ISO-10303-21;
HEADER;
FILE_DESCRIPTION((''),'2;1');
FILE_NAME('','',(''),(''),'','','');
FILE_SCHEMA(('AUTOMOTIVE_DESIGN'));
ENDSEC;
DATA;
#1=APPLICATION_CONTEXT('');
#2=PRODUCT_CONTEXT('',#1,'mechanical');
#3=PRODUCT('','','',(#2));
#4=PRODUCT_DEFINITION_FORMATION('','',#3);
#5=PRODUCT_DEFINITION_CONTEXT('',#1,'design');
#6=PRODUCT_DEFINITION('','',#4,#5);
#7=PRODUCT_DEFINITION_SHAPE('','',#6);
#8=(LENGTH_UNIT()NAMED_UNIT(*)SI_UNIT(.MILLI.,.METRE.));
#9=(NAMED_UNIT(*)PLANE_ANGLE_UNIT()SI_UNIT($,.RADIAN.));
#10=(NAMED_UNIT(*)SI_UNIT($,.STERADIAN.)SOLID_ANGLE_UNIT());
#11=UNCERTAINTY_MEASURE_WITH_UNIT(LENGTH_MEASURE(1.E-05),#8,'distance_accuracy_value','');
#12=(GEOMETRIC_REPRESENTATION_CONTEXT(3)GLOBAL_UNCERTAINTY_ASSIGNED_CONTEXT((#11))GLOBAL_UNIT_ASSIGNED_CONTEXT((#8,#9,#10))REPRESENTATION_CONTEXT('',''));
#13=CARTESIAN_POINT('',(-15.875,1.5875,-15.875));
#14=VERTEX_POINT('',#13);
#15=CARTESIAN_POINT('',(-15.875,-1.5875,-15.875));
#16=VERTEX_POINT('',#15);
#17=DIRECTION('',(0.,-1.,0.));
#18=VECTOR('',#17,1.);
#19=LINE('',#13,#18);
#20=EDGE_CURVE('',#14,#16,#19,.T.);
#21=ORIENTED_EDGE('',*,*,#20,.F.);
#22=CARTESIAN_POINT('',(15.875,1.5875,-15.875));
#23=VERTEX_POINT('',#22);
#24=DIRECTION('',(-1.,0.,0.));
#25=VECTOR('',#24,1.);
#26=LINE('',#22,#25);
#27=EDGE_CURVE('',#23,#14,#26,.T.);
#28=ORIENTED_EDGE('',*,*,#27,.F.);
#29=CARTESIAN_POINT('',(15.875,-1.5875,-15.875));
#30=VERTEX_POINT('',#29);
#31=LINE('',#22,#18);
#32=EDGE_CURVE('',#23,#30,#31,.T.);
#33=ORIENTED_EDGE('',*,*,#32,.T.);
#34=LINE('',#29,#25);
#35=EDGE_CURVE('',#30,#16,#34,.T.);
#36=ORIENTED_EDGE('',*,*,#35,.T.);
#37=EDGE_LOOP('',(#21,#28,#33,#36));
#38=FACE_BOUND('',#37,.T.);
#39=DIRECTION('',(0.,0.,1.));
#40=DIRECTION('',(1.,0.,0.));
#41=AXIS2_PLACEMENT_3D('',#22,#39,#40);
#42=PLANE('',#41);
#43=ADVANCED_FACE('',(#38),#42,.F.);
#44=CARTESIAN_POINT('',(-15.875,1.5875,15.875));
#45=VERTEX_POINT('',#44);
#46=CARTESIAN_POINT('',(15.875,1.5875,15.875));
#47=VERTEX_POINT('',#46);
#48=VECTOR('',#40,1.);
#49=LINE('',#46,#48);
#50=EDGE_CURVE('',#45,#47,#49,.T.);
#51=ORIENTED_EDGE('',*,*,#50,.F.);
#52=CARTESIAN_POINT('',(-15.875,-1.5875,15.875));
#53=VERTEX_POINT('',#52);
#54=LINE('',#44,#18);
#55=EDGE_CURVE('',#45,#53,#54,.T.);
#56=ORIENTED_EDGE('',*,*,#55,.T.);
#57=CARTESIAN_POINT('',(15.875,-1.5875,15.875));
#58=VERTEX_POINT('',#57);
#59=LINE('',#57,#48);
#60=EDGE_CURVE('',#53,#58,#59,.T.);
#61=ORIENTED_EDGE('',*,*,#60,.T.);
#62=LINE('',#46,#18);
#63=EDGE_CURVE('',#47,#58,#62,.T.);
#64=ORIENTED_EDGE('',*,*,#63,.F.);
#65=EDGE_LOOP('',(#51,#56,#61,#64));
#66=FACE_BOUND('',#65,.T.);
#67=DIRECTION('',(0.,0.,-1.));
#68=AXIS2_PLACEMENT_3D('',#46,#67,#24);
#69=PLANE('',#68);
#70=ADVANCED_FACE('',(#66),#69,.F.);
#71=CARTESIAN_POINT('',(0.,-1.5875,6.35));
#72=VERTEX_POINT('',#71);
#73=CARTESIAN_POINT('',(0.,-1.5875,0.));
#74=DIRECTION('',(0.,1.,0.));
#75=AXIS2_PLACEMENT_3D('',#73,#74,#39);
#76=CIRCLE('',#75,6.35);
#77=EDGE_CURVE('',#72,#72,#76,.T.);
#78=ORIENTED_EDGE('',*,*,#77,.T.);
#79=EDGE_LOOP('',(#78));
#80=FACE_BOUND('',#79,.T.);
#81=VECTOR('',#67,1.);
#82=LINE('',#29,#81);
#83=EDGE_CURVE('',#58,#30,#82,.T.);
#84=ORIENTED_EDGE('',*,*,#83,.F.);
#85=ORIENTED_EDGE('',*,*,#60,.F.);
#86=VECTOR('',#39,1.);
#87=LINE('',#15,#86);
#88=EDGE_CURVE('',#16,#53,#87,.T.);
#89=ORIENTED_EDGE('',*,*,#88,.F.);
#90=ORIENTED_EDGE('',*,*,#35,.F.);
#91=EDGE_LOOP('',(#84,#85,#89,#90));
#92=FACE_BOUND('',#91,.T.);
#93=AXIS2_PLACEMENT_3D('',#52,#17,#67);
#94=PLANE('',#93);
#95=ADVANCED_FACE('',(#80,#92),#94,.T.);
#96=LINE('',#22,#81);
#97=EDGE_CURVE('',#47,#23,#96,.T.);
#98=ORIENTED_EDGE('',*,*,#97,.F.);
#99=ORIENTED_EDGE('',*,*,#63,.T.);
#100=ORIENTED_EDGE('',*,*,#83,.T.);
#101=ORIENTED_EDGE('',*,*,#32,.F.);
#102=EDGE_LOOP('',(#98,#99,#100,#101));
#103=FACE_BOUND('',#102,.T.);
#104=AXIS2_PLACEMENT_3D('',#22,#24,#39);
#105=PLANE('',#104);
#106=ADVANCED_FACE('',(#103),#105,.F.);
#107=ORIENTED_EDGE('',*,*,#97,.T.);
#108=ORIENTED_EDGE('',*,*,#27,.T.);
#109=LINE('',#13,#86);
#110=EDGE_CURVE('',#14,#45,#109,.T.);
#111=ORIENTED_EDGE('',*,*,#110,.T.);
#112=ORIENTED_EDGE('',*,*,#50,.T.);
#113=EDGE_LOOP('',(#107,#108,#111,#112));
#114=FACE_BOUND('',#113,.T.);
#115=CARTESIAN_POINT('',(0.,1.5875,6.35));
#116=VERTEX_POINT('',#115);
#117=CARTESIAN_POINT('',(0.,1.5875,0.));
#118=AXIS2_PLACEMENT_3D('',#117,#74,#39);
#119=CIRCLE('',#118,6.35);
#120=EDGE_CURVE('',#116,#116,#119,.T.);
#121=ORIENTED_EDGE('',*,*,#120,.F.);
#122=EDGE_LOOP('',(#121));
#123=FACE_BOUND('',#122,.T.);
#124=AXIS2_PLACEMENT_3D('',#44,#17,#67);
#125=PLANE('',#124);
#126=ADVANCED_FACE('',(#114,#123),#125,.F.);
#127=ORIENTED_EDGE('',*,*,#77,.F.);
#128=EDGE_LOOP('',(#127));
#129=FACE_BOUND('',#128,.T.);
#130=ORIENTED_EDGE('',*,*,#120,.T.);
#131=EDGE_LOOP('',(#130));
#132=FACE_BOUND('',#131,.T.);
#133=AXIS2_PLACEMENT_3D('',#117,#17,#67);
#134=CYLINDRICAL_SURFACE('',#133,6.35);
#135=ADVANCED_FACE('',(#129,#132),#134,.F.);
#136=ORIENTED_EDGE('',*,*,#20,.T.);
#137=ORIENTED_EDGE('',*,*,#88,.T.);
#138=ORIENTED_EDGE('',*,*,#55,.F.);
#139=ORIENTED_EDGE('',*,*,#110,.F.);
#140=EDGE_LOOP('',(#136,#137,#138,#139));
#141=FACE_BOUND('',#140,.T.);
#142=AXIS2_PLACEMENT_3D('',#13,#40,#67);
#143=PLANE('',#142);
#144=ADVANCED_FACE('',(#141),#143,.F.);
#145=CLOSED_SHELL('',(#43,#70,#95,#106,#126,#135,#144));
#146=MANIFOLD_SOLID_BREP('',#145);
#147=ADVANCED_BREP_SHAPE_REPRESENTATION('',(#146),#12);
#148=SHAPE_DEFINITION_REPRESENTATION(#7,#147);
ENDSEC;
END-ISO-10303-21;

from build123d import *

# Parameters (mm, degrees)
SKETCH1_W           = 31.75
SKETCH1_H           = 31.75
SKETCH1_R           = 6.35
BOSS_EXTRUDE1_DEPTH = 1.5875


with BuildPart() as part:
    # Sketch1 → Boss-Extrude1 (new body, symmetric)
    with BuildSketch(Plane(origin=(0, 0, 0), x_dir=(1, 0, 0), z_dir=(0, 1, 0))):
        Rectangle(SKETCH1_W, SKETCH1_H)
        Circle(SKETCH1_R, mode=Mode.SUBTRACT)
    extrude(amount=BOSS_EXTRUDE1_DEPTH, both=True)


solid = part.part
